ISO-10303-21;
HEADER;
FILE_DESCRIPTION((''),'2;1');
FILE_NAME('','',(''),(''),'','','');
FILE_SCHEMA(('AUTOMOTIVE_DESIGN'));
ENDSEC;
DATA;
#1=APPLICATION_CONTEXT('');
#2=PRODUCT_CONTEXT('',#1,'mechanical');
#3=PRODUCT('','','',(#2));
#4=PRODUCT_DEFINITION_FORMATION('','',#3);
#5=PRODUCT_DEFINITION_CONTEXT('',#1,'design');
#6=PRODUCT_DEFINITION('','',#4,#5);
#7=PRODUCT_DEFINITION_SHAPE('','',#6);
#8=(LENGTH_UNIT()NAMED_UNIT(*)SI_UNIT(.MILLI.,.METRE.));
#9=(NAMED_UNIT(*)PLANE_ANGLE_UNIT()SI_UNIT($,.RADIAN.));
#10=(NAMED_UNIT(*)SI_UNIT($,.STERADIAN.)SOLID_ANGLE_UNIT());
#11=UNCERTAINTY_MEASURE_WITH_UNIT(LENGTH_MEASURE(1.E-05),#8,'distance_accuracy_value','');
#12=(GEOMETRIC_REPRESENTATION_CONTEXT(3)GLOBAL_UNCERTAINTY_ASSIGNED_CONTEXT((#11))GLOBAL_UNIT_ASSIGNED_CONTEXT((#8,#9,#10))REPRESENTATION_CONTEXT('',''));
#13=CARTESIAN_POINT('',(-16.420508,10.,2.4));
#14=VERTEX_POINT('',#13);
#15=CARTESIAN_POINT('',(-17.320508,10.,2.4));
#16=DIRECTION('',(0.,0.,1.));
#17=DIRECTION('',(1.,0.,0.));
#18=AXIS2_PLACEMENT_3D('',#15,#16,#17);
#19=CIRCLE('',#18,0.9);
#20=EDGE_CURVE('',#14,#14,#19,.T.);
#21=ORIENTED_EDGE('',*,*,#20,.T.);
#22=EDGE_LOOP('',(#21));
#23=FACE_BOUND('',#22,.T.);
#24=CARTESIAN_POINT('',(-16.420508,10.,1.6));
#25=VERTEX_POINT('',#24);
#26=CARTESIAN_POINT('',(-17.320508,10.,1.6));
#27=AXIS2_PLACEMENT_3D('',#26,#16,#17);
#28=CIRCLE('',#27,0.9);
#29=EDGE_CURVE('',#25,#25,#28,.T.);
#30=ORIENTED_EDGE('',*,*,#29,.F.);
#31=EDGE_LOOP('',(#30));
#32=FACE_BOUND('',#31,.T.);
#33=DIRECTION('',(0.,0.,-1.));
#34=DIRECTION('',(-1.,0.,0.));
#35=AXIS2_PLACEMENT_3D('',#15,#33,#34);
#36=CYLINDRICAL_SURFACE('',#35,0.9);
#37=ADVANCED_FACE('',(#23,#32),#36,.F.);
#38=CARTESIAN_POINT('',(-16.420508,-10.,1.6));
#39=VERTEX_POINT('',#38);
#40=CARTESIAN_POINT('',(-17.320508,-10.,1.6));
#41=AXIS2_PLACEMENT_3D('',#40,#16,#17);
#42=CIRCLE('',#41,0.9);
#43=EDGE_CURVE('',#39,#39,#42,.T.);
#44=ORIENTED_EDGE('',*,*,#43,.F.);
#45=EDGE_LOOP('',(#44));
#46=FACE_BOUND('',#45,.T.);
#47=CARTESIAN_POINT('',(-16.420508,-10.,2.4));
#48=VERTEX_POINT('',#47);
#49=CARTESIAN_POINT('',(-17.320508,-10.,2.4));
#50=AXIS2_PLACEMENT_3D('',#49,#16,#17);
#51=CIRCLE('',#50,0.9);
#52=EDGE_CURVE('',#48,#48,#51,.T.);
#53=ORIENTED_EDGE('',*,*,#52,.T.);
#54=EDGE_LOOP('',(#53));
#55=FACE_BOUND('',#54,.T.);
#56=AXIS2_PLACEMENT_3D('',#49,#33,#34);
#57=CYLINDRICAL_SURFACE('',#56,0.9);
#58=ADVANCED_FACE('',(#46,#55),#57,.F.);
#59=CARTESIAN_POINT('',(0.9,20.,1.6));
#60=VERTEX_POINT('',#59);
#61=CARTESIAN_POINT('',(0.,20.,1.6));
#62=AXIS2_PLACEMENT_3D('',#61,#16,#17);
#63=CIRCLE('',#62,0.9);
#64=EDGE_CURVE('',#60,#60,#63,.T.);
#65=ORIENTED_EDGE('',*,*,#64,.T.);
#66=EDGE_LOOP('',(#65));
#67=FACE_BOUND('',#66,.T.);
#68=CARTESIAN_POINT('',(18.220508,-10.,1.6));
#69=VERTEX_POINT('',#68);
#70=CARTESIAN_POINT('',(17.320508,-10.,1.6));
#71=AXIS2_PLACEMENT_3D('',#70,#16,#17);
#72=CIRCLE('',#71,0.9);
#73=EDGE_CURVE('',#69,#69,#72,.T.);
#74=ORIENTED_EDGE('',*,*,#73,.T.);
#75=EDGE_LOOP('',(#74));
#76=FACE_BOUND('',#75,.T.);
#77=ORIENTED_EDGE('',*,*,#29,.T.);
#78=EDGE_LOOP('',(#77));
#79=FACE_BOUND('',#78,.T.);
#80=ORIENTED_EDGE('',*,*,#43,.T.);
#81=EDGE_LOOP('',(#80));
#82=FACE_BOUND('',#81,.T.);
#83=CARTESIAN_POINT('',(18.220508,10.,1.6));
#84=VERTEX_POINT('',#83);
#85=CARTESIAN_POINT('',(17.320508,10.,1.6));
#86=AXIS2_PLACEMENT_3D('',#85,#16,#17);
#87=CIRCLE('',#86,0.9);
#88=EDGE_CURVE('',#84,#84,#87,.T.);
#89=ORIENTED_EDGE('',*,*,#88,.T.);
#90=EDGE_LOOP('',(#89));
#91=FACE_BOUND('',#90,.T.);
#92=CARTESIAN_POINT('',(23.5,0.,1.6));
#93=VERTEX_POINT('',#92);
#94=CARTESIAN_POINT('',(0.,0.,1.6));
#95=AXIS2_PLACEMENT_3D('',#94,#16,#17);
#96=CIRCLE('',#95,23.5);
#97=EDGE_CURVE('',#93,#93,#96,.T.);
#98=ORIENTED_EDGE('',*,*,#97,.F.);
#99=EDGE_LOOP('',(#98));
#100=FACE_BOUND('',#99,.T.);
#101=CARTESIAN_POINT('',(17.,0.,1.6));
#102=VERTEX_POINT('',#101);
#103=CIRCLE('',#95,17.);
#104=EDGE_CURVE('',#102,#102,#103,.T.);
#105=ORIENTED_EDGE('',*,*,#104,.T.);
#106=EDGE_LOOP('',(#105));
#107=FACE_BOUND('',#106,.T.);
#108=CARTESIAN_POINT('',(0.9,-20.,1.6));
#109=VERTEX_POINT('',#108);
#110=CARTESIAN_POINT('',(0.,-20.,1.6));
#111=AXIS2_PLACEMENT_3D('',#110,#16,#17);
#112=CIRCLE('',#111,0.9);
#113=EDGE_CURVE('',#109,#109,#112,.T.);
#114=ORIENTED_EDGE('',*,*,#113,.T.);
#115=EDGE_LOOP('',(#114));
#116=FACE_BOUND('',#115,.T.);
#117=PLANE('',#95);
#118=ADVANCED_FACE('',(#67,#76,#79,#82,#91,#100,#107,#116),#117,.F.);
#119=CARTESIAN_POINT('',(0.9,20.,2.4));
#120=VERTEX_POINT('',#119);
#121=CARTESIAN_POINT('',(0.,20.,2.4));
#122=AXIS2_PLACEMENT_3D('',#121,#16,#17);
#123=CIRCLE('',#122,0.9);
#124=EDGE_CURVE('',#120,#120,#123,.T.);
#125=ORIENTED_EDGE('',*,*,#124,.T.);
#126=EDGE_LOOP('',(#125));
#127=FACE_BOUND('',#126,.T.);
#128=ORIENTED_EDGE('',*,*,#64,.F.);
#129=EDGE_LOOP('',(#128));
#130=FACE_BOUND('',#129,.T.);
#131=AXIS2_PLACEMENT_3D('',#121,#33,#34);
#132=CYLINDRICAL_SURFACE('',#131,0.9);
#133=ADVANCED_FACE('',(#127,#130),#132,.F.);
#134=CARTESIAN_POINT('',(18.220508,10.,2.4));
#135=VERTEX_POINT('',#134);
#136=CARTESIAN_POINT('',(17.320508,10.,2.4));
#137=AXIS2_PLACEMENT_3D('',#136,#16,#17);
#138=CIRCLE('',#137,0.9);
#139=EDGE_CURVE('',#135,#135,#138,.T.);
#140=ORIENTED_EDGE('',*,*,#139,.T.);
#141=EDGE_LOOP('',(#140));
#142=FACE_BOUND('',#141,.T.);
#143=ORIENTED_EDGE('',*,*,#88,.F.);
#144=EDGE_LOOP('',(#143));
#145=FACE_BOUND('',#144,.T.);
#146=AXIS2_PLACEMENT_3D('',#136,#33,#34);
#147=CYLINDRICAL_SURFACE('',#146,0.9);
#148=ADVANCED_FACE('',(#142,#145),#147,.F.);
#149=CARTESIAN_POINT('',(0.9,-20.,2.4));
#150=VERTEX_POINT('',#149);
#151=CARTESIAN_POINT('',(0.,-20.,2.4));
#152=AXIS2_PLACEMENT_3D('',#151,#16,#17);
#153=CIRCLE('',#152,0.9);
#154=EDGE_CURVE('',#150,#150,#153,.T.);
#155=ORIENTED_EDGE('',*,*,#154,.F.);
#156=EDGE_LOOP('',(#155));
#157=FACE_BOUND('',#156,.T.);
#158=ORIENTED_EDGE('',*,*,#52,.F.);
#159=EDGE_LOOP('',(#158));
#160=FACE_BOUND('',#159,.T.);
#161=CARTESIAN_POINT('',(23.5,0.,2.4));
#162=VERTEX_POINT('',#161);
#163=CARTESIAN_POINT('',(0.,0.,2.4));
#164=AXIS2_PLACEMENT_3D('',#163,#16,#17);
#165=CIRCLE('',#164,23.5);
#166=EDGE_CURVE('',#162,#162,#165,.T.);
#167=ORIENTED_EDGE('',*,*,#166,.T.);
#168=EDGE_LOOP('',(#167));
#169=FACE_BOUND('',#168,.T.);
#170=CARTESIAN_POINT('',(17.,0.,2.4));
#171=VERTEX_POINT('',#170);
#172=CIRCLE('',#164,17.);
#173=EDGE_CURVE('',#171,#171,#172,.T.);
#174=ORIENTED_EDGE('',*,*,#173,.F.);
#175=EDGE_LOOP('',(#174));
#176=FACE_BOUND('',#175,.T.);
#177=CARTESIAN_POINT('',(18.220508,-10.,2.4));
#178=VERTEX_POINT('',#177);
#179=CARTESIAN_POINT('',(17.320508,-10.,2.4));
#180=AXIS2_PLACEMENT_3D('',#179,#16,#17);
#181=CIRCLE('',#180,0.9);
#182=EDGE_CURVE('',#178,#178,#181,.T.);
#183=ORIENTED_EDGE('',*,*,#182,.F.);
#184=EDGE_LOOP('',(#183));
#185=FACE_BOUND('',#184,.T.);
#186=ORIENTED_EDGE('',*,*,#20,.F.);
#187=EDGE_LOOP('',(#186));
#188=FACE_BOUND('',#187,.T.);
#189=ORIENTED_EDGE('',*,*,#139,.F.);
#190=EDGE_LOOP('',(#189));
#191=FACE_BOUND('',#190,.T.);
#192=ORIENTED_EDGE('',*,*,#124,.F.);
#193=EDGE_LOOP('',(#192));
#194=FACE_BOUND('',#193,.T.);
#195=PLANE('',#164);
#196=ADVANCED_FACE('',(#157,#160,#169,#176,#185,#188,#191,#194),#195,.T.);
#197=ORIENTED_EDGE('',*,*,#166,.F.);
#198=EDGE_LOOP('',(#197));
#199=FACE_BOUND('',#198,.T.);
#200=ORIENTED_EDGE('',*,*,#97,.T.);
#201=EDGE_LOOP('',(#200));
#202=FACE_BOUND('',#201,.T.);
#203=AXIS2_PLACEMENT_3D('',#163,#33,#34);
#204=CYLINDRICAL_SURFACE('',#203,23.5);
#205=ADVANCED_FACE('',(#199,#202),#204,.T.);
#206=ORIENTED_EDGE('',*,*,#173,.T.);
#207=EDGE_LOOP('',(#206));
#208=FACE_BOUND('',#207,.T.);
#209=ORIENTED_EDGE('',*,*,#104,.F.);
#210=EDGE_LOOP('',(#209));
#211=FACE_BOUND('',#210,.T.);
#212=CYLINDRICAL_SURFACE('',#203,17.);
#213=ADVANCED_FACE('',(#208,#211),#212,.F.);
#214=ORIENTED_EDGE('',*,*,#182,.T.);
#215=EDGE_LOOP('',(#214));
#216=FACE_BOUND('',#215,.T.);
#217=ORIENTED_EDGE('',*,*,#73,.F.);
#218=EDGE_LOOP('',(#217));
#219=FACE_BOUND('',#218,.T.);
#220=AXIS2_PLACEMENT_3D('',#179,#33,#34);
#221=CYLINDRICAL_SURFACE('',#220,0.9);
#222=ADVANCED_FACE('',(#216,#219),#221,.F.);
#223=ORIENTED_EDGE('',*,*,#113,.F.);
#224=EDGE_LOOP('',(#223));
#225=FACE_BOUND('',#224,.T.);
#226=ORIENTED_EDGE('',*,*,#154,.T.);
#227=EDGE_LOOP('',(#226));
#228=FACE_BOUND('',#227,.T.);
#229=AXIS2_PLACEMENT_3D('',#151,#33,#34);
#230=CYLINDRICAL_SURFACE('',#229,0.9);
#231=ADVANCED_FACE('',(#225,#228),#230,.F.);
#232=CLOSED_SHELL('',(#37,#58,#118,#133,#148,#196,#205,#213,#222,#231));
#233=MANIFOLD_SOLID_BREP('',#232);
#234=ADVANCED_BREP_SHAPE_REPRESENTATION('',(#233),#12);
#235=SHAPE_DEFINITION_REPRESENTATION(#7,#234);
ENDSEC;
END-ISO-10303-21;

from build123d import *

# Parameters (mm, degrees)
SKETCH_1_R      = 117.5
SKETCH_1_R_2    = 85
SKETCH_1_R_3    = 4.5
EXTRUDE_1_DEPTH = 4
SCALE_1_SCALE   = 0.2


with BuildPart() as part:
    # 草图1 → 凸台-拉伸1 (new body)
    with BuildSketch(Plane.XY):
        Circle(SKETCH_1_R)
        Circle(SKETCH_1_R_2, mode=Mode.SUBTRACT)
        with Locations((0, 100)):
            Circle(SKETCH_1_R_3, mode=Mode.SUBTRACT)
        with Locations((86.602540378, 50)):
            Circle(SKETCH_1_R_3, mode=Mode.SUBTRACT)
        with Locations((86.602540378, -50)):
            Circle(SKETCH_1_R_3, mode=Mode.SUBTRACT)
        with Locations((0, -100)):
            Circle(SKETCH_1_R_3, mode=Mode.SUBTRACT)
        with Locations((-86.602540378, -50)):
            Circle(SKETCH_1_R_3, mode=Mode.SUBTRACT)
        with Locations((-86.602540378, 50)):
            Circle(SKETCH_1_R_3, mode=Mode.SUBTRACT)
    extrude(amount=EXTRUDE_1_DEPTH)


with BuildPart() as part_1:
    # 缩放比例1: scaled about (0, 0, 2)
    add(part.part.scale(SCALE_1_SCALE).moved(Location((0, 0, 1.6))))


solid = part_1.part
